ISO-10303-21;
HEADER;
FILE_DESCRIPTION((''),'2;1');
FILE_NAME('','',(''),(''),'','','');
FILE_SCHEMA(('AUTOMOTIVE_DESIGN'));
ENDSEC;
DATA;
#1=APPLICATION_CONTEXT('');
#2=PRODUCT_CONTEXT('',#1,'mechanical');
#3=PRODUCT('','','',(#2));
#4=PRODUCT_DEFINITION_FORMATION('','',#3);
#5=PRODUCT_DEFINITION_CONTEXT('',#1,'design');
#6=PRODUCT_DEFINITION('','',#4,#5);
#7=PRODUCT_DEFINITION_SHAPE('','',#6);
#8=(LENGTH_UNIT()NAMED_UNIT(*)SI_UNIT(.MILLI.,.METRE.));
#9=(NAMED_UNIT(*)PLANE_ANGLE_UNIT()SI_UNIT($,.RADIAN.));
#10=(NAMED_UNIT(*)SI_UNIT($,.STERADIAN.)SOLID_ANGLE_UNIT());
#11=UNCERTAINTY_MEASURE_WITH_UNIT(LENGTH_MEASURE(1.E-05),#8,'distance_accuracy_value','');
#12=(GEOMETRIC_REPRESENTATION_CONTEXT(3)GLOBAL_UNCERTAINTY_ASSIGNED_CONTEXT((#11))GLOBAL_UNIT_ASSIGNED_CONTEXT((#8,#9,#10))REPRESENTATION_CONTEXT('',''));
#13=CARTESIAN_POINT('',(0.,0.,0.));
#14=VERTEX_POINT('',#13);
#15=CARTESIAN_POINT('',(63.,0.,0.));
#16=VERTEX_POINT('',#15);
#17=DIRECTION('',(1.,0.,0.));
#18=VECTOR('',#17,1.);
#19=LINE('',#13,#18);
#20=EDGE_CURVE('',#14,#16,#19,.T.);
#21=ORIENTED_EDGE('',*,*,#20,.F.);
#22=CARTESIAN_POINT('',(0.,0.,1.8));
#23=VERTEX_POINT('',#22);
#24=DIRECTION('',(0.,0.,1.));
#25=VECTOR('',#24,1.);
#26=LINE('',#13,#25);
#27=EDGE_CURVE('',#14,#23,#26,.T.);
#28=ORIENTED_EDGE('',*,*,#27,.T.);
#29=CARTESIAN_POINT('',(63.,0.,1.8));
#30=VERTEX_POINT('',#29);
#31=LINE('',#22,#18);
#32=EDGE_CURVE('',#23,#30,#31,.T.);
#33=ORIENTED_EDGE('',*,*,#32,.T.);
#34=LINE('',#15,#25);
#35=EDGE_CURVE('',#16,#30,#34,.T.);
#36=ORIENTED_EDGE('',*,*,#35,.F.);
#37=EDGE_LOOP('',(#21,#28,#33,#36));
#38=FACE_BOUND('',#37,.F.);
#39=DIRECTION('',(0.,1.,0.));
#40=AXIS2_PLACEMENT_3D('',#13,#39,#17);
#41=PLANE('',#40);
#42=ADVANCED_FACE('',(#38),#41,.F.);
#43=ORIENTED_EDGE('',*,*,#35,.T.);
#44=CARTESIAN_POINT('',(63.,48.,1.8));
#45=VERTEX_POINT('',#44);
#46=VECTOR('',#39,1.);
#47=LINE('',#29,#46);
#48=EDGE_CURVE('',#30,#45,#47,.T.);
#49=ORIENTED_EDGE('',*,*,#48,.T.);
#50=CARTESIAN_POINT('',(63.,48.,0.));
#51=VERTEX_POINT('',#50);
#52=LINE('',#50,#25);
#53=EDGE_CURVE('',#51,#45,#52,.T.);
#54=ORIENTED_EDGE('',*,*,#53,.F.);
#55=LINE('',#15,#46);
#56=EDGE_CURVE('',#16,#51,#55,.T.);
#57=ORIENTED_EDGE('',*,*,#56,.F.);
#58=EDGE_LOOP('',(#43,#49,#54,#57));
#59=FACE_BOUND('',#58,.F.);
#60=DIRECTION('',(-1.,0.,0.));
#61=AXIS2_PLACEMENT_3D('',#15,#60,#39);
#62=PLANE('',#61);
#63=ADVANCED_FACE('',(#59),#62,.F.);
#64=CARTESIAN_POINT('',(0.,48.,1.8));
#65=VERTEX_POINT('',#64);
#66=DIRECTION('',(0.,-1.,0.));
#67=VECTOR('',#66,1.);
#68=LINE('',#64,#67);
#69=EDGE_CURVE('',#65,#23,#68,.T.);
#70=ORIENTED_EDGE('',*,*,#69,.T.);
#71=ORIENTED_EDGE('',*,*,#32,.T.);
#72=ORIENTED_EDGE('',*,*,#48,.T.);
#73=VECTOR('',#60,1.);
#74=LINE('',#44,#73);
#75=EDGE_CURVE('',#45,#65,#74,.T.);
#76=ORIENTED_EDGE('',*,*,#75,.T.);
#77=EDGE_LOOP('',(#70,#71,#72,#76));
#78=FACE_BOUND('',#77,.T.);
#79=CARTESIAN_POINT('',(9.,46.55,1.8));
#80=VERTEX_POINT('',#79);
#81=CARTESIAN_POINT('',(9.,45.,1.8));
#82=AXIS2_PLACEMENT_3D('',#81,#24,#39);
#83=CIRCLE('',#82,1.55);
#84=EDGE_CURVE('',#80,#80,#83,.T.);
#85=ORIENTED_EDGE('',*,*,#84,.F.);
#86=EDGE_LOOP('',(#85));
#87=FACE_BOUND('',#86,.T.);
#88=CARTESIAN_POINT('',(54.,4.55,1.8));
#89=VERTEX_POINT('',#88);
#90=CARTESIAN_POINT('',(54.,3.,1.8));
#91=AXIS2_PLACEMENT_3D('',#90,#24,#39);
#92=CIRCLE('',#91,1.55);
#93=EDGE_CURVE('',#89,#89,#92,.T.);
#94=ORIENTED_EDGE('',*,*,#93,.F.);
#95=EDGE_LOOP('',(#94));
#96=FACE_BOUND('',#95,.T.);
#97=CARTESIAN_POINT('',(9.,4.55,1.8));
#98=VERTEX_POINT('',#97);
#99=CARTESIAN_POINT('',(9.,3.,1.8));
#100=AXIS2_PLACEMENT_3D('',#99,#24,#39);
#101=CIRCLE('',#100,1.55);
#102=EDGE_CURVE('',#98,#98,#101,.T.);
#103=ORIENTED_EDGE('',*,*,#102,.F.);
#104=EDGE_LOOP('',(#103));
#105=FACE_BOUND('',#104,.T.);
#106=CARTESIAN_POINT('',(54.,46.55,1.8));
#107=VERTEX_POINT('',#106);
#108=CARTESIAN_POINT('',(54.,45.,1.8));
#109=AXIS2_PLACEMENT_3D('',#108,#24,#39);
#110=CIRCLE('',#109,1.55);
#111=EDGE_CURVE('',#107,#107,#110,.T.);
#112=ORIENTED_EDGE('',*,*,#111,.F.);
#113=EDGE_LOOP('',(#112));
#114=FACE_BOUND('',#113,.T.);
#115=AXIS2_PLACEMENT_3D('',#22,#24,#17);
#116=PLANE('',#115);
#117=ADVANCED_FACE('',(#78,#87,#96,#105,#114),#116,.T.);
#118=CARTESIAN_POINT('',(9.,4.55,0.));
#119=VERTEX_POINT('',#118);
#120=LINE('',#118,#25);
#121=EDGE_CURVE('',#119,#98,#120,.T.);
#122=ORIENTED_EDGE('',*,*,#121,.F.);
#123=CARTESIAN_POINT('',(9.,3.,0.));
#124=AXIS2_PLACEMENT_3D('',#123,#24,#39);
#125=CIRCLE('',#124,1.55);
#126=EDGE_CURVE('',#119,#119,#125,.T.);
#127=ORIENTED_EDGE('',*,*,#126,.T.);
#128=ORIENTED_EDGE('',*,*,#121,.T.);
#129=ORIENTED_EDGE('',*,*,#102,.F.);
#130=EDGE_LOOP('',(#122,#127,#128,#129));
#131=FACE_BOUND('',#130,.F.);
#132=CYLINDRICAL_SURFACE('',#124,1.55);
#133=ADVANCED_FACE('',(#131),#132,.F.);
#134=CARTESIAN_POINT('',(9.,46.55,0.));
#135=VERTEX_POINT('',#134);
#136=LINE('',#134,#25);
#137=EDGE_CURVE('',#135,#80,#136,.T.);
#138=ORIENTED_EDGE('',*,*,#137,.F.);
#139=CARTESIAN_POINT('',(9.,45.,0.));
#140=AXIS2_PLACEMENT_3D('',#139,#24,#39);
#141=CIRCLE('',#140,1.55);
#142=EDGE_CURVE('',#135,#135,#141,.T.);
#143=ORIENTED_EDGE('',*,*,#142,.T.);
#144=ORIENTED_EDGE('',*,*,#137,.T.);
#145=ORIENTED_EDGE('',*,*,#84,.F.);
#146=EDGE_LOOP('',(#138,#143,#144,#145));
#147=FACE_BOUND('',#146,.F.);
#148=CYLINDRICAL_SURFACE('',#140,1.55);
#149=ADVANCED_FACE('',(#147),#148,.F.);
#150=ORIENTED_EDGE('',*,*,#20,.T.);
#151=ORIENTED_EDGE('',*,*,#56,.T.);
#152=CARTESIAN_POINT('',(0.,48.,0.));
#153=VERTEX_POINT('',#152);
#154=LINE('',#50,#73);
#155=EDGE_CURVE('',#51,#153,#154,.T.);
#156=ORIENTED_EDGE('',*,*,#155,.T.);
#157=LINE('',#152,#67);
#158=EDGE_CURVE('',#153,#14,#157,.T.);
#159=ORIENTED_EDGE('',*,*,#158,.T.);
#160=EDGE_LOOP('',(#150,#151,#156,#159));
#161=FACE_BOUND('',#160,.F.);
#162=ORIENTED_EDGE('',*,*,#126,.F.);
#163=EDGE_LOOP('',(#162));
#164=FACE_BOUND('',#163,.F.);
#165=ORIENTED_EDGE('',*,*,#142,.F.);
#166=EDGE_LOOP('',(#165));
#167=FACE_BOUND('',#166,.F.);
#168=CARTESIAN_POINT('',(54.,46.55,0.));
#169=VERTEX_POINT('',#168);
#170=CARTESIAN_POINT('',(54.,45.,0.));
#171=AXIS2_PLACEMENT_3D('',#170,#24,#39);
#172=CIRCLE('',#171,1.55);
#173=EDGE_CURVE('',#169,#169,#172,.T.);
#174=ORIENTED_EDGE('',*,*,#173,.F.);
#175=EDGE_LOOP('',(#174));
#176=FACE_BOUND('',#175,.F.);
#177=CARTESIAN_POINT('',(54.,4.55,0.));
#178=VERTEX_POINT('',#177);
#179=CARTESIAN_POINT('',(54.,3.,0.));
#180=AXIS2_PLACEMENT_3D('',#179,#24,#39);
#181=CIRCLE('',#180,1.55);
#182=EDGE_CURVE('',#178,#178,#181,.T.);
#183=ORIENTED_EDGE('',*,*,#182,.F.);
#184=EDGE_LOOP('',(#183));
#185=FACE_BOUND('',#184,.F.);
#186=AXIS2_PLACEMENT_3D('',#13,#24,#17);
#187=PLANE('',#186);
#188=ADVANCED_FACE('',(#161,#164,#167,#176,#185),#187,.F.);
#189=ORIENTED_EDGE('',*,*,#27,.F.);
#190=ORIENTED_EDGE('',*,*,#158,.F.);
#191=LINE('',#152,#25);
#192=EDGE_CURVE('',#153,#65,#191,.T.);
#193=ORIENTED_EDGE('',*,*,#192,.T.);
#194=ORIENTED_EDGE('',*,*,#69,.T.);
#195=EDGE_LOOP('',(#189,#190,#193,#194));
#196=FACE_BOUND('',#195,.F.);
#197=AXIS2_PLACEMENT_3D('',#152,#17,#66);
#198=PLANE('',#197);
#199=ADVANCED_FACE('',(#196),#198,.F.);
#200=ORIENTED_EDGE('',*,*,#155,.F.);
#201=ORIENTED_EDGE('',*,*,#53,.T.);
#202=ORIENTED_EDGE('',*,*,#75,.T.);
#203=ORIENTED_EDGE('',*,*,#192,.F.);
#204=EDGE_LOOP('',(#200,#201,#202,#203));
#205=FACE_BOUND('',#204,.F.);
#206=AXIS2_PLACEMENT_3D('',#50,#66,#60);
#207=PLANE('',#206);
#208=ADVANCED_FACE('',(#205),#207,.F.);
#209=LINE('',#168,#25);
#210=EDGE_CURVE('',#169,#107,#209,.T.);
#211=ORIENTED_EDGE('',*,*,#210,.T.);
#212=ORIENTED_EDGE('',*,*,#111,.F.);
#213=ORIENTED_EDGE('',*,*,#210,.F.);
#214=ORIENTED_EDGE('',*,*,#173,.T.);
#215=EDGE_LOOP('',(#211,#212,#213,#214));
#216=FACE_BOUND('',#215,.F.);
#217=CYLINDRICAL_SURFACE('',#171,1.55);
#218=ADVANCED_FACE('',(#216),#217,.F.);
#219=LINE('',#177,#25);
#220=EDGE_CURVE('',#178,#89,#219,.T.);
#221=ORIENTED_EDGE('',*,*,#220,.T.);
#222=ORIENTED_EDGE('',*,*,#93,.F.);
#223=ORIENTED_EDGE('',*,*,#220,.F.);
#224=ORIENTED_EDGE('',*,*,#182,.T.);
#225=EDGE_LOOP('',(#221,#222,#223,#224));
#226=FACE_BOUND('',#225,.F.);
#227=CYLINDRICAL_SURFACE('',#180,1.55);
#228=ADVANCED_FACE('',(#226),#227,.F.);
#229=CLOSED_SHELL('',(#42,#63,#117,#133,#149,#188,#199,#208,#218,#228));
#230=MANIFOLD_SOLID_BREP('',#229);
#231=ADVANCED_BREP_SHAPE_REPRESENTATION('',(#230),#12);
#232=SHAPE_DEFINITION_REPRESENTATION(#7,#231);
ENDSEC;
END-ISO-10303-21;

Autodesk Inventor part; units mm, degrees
ref_plane "YZ Plane" through (0, 0, 0) normal (1, 0, 0) x (0, 1, 0)
ref_plane "XZ Plane" through (0, 0, 0) normal (0, 1, 0) x (-1, 0, 0)
ref_plane "XY Plane" through (0, 0, 0) normal (0, 0, 1) x (1, 0, 0)
sketch "Sketch1" plane through (0, 0, 0) normal (0, 0, 1) x (1, 0, 0)
  line L0 (0, 0) -> (63, 0)
  line L1 (63, 0) -> (63, 48)
  line L2 (63, 48) -> (0, 48)
  line L3 (0, 48) -> (0, 0)
  line L4 (9, 45) -> (54, 45) construction
  line L5 (54, 45) -> (54, 3) construction
  line L6 (54, 3) -> (9, 3) construction
  line L7 (9, 3) -> (9, 45) construction
  dimension "d0" = 63
  dimension "d1" = 48
  dimension "d2" = 45
  dimension "d3" = 42
  dimension "d4" = 3
  dimension "d5" = 9
  dimension "d6" = 9
  dimension "d7" = 3
extrude "Extrusion1" add sketch "Sketch1" along normal blind 1.8
hole "Hole1" at (9, 45, 0) at (54, 45, 0) at (9, 3, 0) at (54, 3, 0) direction (0, 0, 1) diameter 3.1 end through all
properties part number "Mechanical Driver Board"
